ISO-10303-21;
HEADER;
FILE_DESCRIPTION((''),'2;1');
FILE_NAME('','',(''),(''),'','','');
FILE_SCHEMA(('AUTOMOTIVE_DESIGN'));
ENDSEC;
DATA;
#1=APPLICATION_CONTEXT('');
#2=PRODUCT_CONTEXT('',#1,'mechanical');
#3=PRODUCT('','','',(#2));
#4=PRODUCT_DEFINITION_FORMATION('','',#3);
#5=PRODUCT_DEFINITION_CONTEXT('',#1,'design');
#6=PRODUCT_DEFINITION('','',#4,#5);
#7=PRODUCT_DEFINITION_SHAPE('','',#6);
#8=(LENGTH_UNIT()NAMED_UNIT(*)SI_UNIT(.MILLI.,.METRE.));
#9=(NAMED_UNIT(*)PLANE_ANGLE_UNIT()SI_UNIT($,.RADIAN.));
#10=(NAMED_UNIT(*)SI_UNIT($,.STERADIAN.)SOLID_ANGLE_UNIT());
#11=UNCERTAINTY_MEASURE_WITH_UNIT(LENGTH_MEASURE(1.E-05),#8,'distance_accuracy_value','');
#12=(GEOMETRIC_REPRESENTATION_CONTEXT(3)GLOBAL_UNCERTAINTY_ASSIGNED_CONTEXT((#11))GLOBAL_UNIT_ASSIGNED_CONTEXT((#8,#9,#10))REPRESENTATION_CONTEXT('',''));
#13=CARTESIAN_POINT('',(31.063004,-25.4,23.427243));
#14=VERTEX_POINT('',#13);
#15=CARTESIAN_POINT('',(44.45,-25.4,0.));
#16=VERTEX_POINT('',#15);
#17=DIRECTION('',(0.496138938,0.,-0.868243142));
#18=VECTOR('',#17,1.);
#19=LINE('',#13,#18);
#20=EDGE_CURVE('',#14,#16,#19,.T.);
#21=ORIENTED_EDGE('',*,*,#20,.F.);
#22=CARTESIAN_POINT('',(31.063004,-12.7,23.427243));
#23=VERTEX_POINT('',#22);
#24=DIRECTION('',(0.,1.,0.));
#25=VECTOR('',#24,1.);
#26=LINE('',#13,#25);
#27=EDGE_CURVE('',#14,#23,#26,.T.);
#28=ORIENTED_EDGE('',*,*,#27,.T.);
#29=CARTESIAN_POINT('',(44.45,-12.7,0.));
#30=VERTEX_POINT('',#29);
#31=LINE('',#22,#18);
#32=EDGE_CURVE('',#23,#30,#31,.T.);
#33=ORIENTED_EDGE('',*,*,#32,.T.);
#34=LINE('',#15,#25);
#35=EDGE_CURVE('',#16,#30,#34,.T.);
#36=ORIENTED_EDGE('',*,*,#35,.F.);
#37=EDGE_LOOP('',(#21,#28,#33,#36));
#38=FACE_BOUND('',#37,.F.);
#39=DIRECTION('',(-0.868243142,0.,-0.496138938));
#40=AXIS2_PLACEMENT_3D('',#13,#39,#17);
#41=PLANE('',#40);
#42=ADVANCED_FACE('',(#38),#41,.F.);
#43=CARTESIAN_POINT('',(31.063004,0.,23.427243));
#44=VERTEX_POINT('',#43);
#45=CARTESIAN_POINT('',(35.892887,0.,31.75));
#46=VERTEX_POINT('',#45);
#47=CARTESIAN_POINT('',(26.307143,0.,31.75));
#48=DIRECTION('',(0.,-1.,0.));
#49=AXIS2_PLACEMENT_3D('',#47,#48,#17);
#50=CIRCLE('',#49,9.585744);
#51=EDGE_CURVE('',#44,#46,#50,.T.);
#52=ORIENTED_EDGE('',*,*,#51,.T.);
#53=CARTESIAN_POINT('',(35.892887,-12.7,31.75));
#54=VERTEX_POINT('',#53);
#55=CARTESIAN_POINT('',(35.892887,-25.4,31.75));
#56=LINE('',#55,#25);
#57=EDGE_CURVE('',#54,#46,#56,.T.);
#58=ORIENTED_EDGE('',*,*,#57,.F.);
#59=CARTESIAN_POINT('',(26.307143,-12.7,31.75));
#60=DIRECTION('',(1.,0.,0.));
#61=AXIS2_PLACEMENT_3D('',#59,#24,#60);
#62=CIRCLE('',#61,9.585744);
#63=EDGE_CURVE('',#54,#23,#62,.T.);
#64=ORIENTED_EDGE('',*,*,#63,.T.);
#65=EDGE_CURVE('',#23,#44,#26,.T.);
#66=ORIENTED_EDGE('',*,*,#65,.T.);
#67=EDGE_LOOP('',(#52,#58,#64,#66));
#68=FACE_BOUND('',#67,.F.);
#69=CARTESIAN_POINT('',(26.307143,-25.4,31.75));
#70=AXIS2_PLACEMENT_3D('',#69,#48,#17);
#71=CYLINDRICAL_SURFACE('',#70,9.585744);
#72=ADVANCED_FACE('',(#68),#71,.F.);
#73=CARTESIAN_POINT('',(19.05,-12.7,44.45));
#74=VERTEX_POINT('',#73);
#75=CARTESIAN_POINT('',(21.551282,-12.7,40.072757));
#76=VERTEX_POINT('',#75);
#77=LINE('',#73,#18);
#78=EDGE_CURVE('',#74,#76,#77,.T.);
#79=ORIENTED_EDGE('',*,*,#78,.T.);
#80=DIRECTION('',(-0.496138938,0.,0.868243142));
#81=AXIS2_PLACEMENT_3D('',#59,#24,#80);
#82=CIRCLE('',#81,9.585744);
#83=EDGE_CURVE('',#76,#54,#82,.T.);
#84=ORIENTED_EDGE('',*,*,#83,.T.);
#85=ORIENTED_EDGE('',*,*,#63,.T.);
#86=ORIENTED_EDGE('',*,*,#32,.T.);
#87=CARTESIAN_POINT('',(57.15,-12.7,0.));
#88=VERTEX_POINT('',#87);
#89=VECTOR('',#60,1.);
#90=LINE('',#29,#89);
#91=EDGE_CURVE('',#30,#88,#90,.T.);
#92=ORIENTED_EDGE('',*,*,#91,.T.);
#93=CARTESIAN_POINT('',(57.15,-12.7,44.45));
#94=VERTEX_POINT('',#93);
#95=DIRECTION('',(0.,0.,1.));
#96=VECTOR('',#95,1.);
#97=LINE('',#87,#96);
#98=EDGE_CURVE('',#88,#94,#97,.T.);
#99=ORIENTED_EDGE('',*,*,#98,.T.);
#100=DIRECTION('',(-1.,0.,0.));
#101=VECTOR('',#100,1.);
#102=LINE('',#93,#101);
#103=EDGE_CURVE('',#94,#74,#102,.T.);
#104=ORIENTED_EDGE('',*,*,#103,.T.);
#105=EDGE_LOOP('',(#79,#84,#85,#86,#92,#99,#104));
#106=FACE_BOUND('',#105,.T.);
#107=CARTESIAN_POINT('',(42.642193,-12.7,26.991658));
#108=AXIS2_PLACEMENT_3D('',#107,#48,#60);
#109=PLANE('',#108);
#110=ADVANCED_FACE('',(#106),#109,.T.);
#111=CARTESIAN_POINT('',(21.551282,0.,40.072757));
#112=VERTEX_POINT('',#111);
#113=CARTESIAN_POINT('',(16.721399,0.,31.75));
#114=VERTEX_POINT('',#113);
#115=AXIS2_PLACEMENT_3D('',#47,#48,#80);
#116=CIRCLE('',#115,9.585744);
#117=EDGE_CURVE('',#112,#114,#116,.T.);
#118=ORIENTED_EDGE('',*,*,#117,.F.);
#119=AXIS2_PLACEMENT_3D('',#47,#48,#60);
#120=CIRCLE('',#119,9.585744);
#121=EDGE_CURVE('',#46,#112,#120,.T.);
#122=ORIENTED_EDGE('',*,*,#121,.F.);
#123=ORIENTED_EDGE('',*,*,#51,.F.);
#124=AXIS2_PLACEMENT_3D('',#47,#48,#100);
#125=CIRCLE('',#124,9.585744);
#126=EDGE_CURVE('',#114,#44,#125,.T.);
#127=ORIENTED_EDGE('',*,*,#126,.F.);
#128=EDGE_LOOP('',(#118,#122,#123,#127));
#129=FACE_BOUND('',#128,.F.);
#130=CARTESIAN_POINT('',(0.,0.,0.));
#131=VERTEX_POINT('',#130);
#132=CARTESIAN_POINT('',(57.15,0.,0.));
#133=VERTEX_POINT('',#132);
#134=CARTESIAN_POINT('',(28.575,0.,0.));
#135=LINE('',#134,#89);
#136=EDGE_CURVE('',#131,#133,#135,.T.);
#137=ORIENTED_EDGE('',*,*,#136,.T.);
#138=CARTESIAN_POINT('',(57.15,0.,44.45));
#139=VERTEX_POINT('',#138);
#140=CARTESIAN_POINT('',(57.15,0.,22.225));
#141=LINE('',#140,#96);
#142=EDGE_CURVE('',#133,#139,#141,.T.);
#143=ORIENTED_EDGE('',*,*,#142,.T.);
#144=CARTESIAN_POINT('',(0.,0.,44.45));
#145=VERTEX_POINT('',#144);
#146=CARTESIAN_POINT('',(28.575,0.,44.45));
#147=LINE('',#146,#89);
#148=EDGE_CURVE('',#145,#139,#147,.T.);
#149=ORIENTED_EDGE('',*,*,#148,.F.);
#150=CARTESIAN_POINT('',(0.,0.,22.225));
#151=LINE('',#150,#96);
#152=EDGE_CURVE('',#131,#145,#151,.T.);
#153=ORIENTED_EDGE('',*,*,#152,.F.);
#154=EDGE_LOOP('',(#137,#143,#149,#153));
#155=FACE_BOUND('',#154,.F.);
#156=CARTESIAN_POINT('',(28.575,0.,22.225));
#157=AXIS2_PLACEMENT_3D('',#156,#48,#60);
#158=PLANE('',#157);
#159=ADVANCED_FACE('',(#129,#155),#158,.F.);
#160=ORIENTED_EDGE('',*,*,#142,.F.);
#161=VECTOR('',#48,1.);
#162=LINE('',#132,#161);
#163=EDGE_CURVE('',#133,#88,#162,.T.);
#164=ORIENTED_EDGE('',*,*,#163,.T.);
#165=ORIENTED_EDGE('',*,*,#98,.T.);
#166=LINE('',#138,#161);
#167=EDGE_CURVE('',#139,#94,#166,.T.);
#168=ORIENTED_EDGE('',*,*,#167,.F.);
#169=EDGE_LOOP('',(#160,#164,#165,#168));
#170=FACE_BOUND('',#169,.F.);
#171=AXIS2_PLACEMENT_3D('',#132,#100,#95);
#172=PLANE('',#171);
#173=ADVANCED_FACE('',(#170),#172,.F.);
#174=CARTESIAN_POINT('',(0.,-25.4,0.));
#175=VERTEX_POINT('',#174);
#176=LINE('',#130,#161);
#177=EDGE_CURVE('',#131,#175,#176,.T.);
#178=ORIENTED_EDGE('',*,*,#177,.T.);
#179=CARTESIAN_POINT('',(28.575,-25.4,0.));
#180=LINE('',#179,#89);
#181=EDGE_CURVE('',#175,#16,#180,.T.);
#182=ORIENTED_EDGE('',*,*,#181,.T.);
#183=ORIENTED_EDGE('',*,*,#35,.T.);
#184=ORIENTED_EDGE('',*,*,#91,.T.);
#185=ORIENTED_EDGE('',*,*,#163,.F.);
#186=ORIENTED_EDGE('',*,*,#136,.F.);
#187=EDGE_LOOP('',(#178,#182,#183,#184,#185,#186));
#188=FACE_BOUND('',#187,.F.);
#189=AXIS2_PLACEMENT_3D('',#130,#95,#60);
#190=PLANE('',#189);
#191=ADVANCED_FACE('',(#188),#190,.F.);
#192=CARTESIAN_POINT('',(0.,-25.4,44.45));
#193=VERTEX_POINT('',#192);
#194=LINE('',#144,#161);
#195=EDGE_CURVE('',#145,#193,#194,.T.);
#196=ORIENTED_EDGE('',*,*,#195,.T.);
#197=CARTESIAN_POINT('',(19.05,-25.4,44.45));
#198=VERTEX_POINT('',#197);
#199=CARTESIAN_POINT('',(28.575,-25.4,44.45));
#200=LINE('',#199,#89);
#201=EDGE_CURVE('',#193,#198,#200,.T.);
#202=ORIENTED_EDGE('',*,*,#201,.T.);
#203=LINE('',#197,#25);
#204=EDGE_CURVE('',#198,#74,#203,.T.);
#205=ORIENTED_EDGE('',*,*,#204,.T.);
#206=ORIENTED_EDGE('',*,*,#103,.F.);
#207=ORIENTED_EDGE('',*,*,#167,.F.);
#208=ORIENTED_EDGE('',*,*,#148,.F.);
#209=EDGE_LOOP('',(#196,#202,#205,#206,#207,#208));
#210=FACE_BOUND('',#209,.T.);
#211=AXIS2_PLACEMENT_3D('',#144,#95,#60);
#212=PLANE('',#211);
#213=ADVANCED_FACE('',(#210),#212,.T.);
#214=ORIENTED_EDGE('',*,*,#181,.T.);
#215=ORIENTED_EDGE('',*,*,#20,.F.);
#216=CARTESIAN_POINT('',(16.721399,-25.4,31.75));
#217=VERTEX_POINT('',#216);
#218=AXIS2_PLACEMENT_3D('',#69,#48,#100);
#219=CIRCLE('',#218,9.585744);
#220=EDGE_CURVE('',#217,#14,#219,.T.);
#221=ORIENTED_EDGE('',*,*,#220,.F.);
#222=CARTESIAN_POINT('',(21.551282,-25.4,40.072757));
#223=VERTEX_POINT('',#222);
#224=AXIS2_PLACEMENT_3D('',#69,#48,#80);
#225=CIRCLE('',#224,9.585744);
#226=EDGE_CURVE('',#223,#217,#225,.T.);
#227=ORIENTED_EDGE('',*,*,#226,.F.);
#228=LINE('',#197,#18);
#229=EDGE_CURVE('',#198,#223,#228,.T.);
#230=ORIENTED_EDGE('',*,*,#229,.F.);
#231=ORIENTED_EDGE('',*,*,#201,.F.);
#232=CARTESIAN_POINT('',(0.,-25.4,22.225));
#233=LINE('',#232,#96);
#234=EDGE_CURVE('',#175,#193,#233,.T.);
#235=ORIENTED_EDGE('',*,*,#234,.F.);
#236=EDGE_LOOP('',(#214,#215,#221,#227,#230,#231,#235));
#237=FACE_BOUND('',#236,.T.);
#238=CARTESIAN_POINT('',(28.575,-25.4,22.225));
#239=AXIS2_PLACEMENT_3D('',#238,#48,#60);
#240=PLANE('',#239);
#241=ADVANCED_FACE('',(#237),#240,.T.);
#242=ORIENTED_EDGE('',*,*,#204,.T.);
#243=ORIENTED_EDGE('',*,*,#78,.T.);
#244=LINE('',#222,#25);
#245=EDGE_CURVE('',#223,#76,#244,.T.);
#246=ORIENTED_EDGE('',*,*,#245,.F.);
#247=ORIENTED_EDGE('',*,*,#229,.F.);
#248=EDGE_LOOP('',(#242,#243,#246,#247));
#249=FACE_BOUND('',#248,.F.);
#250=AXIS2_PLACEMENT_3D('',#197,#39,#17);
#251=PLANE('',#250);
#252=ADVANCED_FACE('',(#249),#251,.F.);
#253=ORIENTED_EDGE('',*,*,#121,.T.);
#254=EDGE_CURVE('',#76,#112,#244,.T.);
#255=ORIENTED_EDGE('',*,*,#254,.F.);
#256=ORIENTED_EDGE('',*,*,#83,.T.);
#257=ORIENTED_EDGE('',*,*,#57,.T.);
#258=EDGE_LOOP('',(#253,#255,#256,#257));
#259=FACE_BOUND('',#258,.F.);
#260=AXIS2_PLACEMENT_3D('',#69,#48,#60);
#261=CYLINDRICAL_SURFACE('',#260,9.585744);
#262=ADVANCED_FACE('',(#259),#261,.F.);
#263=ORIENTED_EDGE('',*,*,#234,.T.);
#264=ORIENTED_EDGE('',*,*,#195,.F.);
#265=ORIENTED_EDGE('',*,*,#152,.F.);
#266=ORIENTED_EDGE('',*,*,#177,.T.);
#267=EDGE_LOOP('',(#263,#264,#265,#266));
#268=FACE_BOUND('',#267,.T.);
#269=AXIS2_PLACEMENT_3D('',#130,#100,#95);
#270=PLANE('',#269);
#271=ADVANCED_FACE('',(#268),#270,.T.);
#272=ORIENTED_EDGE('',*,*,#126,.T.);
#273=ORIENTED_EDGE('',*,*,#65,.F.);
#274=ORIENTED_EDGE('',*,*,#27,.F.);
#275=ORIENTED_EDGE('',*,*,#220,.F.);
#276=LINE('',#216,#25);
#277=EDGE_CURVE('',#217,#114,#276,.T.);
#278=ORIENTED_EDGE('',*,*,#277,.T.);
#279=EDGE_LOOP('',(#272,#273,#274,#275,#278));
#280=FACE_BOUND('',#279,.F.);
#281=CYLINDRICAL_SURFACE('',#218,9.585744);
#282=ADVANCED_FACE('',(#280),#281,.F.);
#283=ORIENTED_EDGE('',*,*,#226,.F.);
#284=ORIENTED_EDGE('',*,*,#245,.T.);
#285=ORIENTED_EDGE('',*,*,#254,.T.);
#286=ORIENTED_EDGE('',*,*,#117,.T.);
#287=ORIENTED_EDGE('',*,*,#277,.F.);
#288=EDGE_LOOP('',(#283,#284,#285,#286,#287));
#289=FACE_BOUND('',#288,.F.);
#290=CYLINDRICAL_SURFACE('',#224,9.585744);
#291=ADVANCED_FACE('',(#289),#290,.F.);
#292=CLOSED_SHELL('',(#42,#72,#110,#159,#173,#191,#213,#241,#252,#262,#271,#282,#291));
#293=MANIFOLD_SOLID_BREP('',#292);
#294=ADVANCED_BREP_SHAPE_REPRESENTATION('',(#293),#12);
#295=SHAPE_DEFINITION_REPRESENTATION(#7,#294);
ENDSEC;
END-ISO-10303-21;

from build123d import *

# Parameters (mm, degrees)
F0_W     = 57.15
F0_H     = 44.45
F1_DEPTH = 25.4
F3_DEPTH = 25.401
F5_DEPTH = 12.7


with BuildPart() as f1:
    # F0 (on Front) → F1 (new body)
    with BuildSketch(Plane.XZ):
        with Locations((28.575, 22.225)):
            Rectangle(F0_W, F0_H)
    extrude(amount=F1_DEPTH)

    # F2 (on face) → F3 (cut, through all)
    with BuildSketch(Plane.XZ.offset(25.4)):
        with BuildLine():
            ThreePointArc((35.892886882, 31.75), (31.1184848556, 40.0408067571), (21.5512819933, 40.0727565117))
            Line((21.5512819933, 40.0727565117), (26.3071428571, 31.75))
            Line((26.3071428571, 31.75), (35.892886882, 31.75))
        make_face()
        with BuildLine():
            Line((26.3071428571, 31.75), (21.5512819933, 40.0727565117))
            ThreePointArc((21.5512819933, 40.0727565117), (18.0163361, 36.5613419984), (16.7213988323, 31.75))
            Line((16.7213988323, 31.75), (26.3071428571, 31.75))
        make_face()
        with BuildLine():
            Line((31.063003721, 23.4272434883), (26.3071428571, 31.75))
            Line((26.3071428571, 31.75), (16.7213988323, 31.75))
            ThreePointArc((16.7213988323, 31.75), (21.4958008587, 23.4591932429), (31.063003721, 23.4272434883))
        make_face()
        with BuildLine():
            Line((35.892886882, 31.75), (26.3071428571, 31.75))
            Line((26.3071428571, 31.75), (31.063003721, 23.4272434883))
            ThreePointArc((31.063003721, 23.4272434883), (34.5979496143, 26.9386580016), (35.892886882, 31.75))
        make_face()
    extrude(amount=-F3_DEPTH, mode=Mode.SUBTRACT)

    # F4 (on face) → F5 (cut)
    with BuildSketch(Plane.XZ.offset(25.4)):
        with BuildLine():
            Line((57.15, 44.45), (19.05, 44.45))
            Line((19.05, 44.45), (21.5512819933, 40.0727565117))
            ThreePointArc((21.5512819933, 40.0727565117), (31.1184848556, 40.0408067571), (35.892886882, 31.75))
            ThreePointArc((35.892886882, 31.75), (34.5979496143, 26.9386580016), (31.063003721, 23.4272434883))
            Line((31.063003721, 23.4272434883), (44.45, 0))
            Line((44.45, 0), (57.15, 0))
            Line((57.15, 0), (57.15, 44.45))
        make_face()
    extrude(amount=-F5_DEPTH, mode=Mode.SUBTRACT)


solid = f1.part
